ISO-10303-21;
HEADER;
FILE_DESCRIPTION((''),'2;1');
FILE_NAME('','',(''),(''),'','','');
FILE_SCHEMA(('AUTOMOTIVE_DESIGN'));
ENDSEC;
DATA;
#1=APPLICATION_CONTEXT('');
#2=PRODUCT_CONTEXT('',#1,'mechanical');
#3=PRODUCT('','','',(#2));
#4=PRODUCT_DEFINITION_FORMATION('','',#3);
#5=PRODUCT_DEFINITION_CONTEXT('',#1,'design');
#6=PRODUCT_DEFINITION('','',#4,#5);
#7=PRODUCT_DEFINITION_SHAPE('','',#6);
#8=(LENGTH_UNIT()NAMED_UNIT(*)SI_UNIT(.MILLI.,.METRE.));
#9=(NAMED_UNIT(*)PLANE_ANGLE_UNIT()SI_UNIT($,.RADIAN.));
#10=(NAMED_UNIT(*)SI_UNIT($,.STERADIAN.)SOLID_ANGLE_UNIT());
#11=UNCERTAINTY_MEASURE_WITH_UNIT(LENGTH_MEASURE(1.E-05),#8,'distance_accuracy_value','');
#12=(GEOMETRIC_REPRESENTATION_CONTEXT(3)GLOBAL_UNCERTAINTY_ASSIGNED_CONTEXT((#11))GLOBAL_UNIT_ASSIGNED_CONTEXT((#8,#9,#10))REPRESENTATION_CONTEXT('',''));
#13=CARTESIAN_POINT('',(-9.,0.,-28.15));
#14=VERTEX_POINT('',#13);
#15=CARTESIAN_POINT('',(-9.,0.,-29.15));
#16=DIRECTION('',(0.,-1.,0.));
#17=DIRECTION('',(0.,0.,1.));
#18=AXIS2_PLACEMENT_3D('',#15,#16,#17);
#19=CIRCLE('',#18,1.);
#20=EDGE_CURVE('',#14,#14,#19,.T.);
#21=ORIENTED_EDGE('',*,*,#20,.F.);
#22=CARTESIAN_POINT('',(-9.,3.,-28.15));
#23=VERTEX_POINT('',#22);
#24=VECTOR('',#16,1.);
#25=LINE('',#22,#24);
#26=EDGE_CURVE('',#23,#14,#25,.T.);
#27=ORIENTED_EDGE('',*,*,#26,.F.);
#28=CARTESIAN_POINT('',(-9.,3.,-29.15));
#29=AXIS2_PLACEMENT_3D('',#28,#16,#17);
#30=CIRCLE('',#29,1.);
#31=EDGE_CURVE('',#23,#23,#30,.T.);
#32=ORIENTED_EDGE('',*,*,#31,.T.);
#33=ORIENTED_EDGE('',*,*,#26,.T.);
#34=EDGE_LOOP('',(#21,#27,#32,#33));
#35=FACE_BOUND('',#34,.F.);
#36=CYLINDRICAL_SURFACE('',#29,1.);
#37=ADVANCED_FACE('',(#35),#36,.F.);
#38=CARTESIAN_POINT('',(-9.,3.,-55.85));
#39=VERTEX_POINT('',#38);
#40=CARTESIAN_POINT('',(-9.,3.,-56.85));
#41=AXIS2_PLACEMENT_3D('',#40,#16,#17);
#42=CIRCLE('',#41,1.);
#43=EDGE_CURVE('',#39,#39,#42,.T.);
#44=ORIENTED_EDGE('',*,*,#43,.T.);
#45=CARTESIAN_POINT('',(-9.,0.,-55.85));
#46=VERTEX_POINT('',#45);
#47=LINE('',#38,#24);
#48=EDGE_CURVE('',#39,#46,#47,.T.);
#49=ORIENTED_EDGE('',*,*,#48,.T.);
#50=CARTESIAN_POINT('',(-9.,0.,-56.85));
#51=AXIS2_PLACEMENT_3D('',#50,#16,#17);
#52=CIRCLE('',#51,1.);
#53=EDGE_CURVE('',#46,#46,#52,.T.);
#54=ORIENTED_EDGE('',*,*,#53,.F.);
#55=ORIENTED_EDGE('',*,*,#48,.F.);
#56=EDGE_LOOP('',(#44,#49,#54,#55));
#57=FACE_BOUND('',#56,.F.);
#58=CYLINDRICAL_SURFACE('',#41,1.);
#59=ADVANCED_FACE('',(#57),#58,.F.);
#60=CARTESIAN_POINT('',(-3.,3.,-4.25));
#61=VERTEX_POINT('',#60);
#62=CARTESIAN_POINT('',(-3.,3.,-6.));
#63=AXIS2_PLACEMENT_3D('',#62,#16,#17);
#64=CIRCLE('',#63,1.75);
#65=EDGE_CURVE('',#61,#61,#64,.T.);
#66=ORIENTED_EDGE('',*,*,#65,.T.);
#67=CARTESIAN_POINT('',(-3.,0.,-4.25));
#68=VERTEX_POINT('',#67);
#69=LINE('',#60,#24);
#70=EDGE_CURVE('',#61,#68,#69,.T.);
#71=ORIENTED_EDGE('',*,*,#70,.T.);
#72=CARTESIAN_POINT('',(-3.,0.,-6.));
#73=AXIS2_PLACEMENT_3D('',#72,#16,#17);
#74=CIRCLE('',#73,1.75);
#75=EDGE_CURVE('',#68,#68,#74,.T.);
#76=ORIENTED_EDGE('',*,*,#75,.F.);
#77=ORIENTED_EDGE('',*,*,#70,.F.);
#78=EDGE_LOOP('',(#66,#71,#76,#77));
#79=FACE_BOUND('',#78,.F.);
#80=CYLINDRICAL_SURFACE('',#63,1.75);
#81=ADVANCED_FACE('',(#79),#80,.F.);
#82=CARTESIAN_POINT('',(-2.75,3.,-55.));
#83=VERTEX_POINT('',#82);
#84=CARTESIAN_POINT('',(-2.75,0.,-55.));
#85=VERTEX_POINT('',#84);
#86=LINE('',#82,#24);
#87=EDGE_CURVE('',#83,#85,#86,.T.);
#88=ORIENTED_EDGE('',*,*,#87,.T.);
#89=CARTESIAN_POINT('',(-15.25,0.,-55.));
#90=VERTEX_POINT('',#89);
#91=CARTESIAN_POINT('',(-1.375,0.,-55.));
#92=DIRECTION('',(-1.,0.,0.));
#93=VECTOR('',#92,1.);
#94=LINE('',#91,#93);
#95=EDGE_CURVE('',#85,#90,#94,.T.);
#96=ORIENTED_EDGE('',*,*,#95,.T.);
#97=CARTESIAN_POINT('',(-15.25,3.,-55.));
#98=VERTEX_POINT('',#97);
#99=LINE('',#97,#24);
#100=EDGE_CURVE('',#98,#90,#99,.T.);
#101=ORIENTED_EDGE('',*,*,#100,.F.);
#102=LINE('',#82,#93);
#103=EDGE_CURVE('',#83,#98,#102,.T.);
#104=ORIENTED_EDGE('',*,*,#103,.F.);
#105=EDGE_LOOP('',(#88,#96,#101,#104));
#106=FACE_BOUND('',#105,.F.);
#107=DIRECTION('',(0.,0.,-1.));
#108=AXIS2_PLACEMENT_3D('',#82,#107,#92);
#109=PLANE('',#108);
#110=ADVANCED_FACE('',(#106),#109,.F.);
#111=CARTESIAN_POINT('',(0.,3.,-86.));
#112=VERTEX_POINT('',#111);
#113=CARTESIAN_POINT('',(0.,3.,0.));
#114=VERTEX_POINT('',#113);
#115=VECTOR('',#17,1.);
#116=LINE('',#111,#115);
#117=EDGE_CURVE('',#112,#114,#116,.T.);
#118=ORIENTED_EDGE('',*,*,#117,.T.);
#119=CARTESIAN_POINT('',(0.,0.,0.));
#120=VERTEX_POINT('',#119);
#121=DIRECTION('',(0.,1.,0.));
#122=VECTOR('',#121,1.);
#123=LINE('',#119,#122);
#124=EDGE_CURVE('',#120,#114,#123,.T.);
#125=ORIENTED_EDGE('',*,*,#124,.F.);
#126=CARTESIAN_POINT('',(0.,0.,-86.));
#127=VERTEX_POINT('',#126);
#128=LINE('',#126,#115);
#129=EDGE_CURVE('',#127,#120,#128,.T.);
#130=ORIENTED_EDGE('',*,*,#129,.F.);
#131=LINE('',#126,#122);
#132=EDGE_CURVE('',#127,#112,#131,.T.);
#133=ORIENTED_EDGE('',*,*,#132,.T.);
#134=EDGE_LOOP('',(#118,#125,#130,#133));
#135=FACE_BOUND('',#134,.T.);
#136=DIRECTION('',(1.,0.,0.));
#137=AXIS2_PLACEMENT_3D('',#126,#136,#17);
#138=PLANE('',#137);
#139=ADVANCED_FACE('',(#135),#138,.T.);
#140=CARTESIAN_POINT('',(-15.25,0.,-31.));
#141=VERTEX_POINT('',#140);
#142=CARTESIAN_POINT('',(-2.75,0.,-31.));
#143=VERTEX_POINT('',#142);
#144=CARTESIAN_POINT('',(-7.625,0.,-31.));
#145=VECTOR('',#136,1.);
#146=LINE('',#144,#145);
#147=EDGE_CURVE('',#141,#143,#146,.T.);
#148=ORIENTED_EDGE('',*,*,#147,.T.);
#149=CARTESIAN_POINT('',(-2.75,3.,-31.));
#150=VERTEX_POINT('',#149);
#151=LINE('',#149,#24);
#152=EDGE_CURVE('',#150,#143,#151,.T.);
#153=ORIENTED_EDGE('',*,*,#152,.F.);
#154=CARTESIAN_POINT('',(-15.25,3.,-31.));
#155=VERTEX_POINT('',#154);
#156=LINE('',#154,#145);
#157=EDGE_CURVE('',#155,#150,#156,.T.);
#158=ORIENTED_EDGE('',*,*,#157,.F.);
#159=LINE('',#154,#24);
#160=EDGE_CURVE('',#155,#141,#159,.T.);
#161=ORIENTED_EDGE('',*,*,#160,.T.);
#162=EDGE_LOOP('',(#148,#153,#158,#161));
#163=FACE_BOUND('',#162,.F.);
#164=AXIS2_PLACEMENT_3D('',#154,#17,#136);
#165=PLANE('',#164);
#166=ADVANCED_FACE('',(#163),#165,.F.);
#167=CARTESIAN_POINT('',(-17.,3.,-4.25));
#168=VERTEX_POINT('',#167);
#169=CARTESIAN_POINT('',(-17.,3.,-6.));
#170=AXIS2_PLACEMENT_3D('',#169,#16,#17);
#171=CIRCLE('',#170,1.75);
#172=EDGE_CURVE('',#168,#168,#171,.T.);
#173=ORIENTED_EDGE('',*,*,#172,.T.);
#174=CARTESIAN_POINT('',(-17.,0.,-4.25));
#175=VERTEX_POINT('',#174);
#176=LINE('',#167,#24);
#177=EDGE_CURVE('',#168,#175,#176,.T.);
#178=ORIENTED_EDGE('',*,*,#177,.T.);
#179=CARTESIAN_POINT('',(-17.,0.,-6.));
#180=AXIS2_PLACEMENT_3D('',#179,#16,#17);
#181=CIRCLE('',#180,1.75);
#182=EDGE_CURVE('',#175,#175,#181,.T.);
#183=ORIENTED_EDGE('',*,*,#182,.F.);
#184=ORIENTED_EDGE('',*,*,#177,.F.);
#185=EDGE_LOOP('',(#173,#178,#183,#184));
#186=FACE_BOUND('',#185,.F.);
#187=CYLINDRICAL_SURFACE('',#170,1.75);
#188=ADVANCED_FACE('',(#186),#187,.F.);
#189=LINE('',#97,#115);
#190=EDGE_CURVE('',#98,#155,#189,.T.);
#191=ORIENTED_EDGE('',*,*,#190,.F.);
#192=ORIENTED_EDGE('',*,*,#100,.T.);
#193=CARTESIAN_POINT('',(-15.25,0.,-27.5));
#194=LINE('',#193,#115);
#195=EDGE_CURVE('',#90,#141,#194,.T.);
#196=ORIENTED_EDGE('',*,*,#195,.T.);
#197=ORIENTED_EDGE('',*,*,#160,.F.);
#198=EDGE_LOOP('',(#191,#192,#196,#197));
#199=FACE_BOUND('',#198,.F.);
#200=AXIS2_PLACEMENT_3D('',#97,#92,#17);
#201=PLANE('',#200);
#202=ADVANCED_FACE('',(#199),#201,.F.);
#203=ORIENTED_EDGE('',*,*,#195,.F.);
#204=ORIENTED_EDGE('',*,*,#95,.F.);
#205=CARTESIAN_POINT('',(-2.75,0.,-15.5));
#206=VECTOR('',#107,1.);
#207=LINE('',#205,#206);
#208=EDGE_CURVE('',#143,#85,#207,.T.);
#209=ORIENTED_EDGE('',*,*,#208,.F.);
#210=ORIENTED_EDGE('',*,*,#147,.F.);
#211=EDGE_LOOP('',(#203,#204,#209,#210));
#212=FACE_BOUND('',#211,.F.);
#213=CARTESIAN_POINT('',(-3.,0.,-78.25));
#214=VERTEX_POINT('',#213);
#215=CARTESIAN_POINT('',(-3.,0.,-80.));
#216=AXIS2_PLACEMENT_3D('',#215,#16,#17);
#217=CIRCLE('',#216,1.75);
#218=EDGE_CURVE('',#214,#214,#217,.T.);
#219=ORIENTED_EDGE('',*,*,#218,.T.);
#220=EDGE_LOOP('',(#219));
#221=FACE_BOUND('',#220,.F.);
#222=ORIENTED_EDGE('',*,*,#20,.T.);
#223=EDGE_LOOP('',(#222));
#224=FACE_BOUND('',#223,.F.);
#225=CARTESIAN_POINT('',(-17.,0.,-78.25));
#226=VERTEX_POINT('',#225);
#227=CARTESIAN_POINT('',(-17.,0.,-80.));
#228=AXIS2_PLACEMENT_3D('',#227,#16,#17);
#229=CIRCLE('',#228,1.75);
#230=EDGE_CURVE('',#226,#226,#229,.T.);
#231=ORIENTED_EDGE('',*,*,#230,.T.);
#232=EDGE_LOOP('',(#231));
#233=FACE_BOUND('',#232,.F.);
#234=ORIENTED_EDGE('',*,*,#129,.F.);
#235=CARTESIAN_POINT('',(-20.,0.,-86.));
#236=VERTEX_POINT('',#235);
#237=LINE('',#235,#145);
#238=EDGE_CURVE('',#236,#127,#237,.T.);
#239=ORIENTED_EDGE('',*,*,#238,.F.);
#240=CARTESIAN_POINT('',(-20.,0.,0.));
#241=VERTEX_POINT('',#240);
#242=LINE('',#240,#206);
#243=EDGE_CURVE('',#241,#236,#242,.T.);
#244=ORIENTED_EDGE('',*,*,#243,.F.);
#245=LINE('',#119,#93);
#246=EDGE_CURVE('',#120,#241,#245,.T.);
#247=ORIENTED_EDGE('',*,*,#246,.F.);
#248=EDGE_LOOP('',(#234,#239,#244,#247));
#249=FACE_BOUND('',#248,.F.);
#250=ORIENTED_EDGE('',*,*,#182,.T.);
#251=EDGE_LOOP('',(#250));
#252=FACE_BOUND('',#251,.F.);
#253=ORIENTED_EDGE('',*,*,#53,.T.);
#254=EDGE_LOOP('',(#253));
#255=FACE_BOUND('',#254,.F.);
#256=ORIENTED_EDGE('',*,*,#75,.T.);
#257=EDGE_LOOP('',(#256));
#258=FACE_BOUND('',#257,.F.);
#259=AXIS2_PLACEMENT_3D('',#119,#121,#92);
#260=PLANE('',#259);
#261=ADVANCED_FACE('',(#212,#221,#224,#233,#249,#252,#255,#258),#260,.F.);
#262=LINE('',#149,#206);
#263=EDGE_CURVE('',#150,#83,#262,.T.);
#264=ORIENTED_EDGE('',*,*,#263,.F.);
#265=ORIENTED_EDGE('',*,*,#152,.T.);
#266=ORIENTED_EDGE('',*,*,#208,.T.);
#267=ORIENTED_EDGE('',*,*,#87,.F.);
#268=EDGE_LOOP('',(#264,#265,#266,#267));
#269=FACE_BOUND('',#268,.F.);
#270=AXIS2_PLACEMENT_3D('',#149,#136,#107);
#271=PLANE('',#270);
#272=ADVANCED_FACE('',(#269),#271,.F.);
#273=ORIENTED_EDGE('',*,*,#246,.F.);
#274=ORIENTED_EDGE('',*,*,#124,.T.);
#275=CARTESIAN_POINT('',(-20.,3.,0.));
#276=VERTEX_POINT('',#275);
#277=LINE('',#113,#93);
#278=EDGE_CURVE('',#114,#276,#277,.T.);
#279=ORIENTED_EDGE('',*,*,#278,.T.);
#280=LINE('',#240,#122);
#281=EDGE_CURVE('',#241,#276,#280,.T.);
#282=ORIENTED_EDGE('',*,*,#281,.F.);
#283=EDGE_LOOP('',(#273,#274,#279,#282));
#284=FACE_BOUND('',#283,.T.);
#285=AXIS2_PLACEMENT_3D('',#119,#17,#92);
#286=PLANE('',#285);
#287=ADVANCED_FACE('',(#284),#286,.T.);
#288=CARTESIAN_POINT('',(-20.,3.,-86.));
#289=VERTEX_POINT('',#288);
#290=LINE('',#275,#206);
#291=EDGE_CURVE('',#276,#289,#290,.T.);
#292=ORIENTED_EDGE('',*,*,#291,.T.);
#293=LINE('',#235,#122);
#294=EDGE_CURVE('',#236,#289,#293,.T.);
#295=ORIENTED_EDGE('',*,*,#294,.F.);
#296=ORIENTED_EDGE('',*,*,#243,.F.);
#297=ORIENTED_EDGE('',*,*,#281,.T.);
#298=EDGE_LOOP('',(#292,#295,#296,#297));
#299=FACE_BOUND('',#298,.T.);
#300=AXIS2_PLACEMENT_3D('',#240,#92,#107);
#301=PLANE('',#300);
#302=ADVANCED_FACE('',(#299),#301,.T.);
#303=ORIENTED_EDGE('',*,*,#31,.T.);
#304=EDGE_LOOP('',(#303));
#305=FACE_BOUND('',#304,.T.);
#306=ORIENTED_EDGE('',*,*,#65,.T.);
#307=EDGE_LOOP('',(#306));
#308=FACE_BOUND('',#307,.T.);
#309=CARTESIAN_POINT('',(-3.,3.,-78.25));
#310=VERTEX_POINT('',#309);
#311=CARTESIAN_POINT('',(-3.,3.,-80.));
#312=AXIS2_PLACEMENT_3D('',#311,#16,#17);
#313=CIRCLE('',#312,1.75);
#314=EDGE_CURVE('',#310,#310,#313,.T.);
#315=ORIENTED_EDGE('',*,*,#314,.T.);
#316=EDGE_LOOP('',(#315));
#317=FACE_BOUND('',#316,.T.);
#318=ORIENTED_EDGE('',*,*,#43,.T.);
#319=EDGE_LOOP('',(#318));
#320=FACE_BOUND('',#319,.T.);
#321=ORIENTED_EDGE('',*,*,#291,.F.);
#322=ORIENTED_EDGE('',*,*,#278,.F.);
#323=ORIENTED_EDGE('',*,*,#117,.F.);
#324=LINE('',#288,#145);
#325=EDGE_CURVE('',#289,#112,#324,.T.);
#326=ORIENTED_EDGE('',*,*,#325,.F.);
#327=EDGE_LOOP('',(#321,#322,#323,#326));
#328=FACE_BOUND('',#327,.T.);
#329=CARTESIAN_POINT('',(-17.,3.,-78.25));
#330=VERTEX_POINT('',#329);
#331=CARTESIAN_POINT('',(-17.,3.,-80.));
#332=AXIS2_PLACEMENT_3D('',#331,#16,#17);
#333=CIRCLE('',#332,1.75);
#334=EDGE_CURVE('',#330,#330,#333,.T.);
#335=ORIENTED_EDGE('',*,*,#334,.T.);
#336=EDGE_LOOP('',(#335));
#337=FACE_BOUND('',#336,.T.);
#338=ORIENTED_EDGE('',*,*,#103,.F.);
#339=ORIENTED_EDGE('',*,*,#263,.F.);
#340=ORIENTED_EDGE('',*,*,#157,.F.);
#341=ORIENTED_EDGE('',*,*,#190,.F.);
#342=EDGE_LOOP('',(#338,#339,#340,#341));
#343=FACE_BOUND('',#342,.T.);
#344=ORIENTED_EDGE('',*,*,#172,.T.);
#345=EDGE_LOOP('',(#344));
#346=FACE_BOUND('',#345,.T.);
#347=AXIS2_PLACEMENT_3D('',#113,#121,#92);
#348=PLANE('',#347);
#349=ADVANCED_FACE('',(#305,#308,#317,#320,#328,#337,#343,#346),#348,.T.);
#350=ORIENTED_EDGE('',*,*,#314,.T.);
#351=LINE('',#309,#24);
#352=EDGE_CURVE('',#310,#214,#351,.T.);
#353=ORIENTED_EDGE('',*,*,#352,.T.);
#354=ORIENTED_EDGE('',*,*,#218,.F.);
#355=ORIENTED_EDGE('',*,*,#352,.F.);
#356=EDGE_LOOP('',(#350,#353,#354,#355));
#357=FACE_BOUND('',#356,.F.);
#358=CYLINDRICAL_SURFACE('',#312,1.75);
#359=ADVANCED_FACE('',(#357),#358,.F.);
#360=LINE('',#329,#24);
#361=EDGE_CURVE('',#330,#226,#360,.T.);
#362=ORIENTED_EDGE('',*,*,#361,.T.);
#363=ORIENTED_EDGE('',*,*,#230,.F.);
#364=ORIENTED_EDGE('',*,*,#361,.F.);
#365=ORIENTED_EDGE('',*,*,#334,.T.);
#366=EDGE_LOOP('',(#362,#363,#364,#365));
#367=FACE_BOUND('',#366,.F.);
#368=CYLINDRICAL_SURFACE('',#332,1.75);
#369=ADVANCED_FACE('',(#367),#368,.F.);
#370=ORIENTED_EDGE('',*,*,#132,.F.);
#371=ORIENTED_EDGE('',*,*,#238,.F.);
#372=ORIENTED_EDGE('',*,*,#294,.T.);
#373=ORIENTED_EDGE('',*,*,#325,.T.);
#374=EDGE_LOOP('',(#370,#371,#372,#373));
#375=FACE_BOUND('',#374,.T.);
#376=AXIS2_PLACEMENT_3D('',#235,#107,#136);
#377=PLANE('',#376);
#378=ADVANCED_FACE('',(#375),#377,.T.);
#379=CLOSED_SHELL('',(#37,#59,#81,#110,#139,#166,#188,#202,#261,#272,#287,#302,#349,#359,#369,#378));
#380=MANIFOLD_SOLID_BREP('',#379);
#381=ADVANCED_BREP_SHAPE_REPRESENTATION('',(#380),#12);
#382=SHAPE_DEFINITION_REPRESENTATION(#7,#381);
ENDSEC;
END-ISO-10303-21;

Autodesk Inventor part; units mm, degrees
ref_plane "YZ Plane" through (0, 0, 0) normal (1, 0, 0) x (0, 1, 0)
ref_plane "XZ Plane" through (0, 0, 0) normal (0, 1, 0) x (-1, 0, 0)
ref_plane "XY Plane" through (0, 0, 0) normal (0, 0, 1) x (1, 0, 0)
sketch "Esquisse1" plane through (0, 0, 0) normal (0, 1, 0) x (-1, 0, 0)
  line L0 (0, 0) -> (20, 0)
  line L1 (20, 0) -> (20, -86)
  line L2 (20, -86) -> (0, -86)
  line L3 (0, -86) -> (0, 0)
  dimension "d0" = 86
  dimension "d1" = 20
extrude "Extrusion1" add sketch "Esquisse1" along normal blind 3
sketch "Esquisse2" plane through (0, 3, 0) normal (0, 1, 0) x (1, 0, 0)
  line L0 (-20, 0) -> (0, 0) projected
  line L1 (0, 0) -> (0, 86) projected
  line L2 (10.8927, 42.5) -> (-28.8955, 42.5) construction
  point P0 (-3, 6)
  dimension "d12" = 3
  dimension "d37" = 42.5
  dimension "d39" = 36.5
hole "Perçage1" at (-3, 3, -6) direction (0, -1, 0) diameter 3.5 end through all
pattern_linear "Réseau rectangulaire1" count 2 spacing 14 along (-1, 0, 0) count 2 spacing 74 along (0, 0, -1) of "Perçage1"
sketch "Esquisse3" plane through (0, 3, 0) normal (0, 1, 0) x (1, 0, 0)
  line L0 (-15.25, 31) -> (-2.75, 31)
  line L1 (-2.75, 31) -> (-2.75, 55)
  line L2 (-2.75, 55) -> (-15.25, 55)
  line L3 (-15.25, 55) -> (-15.25, 31)
  line L4 (0, 86) -> (-20, 86) projected
  line L5 (-20, 86) -> (-20, 0) projected
  point P0 (0, 0)
  dimension "d19" = 24
  dimension "d20" = 12.5
  dimension "d21" = 31
  dimension "d22" = 4.75
extrude "Extrusion2" cut sketch "Esquisse3" against normal through all
sketch "Esquisse4" plane through (0, 3, 0) normal (0, 1, 0) x (1, 0, 0)
  line L0 (-2.75, 55) -> (-2.75, 31) projected
  line L1 (-2.75, 31) -> (-15.25, 31) projected
  point P0 (0, 0)
  point P1 (-9, 29.15)
  dimension "d32" = 6.25
  dimension "d33" = 1.85
hole "Perçage2" at (-9, 3, -29.15) direction (0, -1, 0) diameter 2 end through all
pattern_linear "Réseau rectangulaire2" count 2 spacing 27.7 along (0, 0, -1) of "Perçage2"
properties part number "support_servo_moteur"
